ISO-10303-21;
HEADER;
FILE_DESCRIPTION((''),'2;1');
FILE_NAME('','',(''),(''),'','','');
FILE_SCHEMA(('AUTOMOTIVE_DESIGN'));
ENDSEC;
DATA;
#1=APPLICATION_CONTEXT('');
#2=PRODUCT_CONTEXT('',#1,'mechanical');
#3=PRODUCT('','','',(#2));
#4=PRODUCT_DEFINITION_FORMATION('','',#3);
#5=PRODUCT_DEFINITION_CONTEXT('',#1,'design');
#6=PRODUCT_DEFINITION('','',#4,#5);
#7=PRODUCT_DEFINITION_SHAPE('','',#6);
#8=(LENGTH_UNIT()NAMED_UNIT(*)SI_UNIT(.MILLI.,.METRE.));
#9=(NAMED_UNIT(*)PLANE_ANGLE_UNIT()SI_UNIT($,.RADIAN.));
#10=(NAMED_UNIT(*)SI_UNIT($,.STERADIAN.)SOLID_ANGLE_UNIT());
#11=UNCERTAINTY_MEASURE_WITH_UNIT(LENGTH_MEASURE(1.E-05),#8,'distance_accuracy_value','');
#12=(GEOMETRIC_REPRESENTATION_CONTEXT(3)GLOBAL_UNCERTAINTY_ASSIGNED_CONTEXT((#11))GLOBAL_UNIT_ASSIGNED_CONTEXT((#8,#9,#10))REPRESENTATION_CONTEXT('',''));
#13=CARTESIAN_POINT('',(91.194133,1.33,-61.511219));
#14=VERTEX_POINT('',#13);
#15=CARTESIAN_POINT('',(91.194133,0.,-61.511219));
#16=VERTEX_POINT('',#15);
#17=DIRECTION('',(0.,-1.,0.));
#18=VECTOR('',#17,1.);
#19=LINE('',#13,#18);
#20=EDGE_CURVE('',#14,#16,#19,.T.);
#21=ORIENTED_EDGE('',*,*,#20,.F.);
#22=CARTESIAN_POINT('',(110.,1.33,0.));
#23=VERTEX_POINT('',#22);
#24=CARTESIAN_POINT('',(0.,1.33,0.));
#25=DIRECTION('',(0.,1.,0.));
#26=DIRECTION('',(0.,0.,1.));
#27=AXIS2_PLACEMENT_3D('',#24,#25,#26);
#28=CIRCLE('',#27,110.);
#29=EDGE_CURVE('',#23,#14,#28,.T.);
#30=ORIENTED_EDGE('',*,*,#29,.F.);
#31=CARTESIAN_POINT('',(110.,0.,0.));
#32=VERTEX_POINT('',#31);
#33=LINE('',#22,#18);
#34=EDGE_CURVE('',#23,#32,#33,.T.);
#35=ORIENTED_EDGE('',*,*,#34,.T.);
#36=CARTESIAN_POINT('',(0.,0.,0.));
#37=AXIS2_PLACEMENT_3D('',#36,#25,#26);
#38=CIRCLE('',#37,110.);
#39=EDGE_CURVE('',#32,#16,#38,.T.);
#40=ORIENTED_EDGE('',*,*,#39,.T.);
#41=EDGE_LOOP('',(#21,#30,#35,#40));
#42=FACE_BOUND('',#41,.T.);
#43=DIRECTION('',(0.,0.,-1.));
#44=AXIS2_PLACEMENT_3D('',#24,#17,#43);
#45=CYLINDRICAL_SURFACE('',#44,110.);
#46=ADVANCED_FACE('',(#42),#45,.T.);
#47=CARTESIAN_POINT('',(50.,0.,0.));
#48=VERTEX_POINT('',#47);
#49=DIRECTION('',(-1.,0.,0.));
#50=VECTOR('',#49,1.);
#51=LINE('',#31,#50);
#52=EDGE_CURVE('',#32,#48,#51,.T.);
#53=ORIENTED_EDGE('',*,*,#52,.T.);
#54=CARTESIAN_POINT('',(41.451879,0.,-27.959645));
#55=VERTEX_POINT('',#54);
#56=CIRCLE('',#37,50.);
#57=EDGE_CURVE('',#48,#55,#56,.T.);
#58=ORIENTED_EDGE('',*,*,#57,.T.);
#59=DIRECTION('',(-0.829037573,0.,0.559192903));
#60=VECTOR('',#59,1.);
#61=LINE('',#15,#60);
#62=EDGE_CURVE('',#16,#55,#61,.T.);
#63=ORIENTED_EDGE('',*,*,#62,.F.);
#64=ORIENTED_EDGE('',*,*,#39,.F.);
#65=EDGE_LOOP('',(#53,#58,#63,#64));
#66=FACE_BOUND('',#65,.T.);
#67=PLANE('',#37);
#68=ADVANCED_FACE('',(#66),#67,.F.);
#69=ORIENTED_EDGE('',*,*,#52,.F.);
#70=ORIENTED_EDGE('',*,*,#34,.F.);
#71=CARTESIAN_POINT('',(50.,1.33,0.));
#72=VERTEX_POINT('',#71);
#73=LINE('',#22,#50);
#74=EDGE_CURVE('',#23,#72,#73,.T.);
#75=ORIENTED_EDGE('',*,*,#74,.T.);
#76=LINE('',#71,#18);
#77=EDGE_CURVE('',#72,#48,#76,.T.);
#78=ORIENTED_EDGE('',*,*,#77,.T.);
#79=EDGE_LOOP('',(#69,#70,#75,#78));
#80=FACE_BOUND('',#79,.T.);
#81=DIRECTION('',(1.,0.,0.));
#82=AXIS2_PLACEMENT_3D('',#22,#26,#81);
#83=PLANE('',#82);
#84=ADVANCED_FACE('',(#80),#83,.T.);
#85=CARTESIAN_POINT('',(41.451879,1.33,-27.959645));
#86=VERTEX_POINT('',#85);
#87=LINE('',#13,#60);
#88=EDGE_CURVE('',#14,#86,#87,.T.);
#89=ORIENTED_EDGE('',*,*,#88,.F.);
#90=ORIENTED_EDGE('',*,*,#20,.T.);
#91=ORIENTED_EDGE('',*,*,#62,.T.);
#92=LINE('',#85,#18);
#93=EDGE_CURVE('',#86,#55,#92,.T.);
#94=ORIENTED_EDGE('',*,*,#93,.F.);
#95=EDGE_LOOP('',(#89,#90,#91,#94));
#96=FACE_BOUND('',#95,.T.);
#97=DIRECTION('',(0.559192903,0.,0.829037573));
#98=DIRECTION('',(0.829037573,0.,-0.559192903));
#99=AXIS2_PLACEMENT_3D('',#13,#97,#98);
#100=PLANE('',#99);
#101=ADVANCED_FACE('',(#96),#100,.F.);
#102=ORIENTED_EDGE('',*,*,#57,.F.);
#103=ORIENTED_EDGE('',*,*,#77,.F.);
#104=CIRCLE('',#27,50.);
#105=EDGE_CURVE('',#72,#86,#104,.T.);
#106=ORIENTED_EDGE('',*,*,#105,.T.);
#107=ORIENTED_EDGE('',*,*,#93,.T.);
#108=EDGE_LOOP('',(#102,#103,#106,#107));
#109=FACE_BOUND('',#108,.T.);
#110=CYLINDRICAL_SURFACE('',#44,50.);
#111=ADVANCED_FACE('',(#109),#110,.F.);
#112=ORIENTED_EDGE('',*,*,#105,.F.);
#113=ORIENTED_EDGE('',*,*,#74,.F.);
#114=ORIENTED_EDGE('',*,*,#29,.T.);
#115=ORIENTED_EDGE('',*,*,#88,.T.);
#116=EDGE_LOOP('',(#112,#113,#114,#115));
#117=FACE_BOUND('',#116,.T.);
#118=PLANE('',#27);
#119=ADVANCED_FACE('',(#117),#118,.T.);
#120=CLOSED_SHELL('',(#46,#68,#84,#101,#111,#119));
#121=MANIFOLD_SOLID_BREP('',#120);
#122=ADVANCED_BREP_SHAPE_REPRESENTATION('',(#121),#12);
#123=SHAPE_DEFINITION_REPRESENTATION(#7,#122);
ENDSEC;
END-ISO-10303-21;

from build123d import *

# Parameters (mm, degrees)
EXTRUDE_1_DEPTH = 1.33


with BuildPart() as part:
    # 草图1 → 凸台-拉伸1 (new body)
    with BuildSketch(Plane(origin=(0, 0, 0), x_dir=(1, 0, 0), z_dir=(0, 1, 0))):
        with BuildLine():
            Line((91.194132981, 61.511219382), (41.451878628, 27.959645174))
            ThreePointArc((41.451878628, 27.959645174), (47.815237798, 14.618585236), (50, 0))
            Line((50, 0), (110, 0))
            ThreePointArc((110, 0), (105.193523156, 32.16088752), (91.194132981, 61.511219382))
        make_face()
    extrude(amount=EXTRUDE_1_DEPTH)


solid = part.part
